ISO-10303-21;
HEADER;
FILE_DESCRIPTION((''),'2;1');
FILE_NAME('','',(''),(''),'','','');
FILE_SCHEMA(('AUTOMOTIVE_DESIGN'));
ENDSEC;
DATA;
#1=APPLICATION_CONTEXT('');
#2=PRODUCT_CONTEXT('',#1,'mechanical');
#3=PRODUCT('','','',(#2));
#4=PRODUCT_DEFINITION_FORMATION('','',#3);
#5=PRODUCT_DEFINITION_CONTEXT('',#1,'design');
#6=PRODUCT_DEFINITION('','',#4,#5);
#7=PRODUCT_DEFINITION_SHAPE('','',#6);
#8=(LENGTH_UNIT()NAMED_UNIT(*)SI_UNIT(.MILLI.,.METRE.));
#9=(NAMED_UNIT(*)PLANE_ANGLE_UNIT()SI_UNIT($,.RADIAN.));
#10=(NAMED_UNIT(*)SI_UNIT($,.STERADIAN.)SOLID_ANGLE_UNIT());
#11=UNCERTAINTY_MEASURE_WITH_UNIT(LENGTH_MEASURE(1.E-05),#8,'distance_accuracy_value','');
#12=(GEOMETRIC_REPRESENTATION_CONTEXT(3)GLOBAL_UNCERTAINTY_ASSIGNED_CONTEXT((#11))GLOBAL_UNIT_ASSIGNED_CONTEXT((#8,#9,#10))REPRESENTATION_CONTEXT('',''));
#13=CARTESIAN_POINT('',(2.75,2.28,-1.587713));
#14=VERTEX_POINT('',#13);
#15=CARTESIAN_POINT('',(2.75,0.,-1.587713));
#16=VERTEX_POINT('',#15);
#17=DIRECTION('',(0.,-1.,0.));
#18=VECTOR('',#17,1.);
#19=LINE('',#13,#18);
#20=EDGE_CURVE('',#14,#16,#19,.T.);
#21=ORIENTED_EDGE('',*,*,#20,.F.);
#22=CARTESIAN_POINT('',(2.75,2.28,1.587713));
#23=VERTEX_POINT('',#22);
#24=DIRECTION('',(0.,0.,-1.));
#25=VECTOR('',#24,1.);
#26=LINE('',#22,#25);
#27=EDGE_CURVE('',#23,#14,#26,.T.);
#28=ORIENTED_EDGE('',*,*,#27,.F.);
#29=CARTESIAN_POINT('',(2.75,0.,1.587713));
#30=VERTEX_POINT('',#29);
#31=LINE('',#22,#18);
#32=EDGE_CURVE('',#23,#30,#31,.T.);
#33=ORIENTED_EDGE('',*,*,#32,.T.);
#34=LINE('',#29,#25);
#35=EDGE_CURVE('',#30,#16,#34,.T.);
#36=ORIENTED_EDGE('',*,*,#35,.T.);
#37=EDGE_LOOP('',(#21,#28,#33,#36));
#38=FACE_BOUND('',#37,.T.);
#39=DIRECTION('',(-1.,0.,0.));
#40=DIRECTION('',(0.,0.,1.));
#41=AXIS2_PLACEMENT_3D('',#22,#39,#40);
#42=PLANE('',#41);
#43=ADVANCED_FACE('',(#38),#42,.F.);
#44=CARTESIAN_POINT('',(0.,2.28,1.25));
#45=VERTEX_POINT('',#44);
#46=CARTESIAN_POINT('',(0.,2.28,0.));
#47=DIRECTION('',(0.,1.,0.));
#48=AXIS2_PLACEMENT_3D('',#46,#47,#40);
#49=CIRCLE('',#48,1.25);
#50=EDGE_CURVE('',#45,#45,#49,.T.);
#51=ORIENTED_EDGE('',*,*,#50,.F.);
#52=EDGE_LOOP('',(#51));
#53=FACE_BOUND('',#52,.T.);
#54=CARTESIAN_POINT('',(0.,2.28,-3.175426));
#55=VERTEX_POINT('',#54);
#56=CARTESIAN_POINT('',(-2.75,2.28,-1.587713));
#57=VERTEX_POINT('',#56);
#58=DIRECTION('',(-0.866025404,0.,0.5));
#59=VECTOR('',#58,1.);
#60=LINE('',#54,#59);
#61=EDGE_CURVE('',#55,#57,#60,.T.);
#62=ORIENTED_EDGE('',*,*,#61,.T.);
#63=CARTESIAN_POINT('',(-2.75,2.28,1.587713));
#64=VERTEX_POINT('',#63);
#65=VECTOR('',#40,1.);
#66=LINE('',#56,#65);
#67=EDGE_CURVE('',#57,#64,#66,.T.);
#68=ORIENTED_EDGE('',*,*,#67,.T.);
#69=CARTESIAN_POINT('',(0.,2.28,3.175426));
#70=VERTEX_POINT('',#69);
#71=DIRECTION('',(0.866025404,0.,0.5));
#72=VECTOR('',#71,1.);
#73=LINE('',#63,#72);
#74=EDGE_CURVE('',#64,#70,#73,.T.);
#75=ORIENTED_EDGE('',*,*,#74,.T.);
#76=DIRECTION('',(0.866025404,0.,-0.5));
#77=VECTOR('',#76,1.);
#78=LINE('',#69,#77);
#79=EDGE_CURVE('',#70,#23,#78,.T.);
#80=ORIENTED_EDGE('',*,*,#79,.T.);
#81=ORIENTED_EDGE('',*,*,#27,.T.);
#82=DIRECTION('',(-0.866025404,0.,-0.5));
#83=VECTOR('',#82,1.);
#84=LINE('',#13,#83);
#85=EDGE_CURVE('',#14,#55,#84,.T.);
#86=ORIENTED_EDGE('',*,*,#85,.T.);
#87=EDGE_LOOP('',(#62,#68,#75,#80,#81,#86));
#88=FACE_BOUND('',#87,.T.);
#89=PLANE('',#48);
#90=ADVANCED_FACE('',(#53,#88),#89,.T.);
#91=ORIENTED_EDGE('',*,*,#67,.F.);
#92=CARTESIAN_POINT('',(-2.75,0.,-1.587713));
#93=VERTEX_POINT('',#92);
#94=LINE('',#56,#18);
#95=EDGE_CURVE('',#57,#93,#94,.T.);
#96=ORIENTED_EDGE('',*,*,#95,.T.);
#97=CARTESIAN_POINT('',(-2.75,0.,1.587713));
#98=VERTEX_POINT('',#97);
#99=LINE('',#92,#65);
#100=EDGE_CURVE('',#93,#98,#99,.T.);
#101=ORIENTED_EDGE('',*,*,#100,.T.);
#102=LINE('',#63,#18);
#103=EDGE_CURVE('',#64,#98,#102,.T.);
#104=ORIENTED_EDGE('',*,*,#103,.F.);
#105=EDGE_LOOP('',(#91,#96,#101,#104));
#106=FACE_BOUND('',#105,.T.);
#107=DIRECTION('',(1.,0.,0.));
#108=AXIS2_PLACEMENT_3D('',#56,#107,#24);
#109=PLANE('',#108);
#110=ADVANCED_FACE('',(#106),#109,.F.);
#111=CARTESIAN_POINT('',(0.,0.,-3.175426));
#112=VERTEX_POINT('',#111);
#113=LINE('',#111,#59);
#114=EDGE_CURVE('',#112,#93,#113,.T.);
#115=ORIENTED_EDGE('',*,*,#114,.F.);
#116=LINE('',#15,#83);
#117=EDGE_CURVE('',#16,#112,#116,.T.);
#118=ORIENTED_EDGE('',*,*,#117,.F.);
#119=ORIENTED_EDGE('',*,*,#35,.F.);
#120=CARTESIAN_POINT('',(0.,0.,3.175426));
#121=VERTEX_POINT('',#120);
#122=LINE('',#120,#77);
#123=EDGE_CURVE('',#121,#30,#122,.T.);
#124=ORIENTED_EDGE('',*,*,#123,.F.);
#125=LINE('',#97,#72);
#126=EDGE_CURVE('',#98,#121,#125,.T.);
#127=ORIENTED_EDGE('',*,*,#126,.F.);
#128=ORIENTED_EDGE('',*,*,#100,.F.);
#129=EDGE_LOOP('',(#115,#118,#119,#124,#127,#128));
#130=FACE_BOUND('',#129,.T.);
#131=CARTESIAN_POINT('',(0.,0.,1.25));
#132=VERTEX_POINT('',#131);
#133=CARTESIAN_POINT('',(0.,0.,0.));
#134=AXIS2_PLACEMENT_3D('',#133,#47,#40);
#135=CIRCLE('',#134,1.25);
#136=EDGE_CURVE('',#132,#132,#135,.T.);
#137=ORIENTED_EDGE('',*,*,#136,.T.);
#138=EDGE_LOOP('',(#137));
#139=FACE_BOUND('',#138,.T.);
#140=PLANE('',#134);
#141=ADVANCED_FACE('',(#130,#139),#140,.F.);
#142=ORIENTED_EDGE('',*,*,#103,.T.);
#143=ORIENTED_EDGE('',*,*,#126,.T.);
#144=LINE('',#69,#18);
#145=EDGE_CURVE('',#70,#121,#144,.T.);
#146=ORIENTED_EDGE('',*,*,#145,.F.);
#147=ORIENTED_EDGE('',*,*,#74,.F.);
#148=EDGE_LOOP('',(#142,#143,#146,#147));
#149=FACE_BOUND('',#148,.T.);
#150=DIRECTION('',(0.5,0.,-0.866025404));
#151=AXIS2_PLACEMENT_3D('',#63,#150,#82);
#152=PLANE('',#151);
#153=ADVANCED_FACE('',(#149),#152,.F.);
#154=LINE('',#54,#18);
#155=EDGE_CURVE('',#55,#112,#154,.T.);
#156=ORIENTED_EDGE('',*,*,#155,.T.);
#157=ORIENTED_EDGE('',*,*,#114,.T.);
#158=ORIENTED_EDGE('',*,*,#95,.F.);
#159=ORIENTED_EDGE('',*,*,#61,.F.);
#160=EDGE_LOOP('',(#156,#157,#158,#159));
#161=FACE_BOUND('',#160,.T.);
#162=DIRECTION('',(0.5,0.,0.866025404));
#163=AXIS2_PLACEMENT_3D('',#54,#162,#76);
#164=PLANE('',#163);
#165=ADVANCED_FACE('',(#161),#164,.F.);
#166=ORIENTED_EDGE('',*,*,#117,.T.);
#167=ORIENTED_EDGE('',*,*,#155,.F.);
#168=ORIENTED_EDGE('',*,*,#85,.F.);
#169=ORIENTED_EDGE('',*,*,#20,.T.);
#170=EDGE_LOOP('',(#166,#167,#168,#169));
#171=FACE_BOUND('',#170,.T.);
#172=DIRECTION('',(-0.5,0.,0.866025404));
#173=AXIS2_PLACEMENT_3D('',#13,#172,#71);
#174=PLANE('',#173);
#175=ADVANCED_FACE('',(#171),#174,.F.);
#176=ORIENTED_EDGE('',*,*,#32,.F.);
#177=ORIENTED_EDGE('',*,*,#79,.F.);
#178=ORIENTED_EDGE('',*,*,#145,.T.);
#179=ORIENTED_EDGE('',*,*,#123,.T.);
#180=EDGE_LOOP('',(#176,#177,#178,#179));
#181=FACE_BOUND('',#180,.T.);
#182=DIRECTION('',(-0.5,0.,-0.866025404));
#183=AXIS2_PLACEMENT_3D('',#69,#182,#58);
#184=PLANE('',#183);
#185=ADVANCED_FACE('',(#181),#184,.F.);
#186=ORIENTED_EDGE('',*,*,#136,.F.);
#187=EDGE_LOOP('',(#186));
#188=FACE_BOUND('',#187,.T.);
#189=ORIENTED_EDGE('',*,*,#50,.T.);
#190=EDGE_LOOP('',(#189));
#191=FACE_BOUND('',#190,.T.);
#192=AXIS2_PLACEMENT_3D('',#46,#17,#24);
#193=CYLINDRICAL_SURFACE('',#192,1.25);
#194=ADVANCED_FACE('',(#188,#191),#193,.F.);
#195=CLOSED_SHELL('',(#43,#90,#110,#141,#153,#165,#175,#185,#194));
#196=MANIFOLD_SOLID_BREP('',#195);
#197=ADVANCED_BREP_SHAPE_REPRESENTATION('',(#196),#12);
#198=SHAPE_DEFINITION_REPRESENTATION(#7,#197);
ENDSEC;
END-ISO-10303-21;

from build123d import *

# Parameters (mm, degrees)
SKETCH1_R           = 1.25
BOSS_EXTRUDE1_DEPTH = 2.28


with BuildPart() as part:
    # Sketch1 → Boss-Extrude1 (new body)
    with BuildSketch(Plane(origin=(0, 0, 0), x_dir=(1, 0, 0), z_dir=(0, 1, 0))):
        Polygon((0, -3.175426481), (2.75, -1.58771324), (2.75, 1.58771324), (0, 3.175426481), (-2.75, 1.58771324), (-2.75, -1.58771324), align=None)
        Circle(SKETCH1_R, mode=Mode.SUBTRACT)
    extrude(amount=BOSS_EXTRUDE1_DEPTH)


solid = part.part
